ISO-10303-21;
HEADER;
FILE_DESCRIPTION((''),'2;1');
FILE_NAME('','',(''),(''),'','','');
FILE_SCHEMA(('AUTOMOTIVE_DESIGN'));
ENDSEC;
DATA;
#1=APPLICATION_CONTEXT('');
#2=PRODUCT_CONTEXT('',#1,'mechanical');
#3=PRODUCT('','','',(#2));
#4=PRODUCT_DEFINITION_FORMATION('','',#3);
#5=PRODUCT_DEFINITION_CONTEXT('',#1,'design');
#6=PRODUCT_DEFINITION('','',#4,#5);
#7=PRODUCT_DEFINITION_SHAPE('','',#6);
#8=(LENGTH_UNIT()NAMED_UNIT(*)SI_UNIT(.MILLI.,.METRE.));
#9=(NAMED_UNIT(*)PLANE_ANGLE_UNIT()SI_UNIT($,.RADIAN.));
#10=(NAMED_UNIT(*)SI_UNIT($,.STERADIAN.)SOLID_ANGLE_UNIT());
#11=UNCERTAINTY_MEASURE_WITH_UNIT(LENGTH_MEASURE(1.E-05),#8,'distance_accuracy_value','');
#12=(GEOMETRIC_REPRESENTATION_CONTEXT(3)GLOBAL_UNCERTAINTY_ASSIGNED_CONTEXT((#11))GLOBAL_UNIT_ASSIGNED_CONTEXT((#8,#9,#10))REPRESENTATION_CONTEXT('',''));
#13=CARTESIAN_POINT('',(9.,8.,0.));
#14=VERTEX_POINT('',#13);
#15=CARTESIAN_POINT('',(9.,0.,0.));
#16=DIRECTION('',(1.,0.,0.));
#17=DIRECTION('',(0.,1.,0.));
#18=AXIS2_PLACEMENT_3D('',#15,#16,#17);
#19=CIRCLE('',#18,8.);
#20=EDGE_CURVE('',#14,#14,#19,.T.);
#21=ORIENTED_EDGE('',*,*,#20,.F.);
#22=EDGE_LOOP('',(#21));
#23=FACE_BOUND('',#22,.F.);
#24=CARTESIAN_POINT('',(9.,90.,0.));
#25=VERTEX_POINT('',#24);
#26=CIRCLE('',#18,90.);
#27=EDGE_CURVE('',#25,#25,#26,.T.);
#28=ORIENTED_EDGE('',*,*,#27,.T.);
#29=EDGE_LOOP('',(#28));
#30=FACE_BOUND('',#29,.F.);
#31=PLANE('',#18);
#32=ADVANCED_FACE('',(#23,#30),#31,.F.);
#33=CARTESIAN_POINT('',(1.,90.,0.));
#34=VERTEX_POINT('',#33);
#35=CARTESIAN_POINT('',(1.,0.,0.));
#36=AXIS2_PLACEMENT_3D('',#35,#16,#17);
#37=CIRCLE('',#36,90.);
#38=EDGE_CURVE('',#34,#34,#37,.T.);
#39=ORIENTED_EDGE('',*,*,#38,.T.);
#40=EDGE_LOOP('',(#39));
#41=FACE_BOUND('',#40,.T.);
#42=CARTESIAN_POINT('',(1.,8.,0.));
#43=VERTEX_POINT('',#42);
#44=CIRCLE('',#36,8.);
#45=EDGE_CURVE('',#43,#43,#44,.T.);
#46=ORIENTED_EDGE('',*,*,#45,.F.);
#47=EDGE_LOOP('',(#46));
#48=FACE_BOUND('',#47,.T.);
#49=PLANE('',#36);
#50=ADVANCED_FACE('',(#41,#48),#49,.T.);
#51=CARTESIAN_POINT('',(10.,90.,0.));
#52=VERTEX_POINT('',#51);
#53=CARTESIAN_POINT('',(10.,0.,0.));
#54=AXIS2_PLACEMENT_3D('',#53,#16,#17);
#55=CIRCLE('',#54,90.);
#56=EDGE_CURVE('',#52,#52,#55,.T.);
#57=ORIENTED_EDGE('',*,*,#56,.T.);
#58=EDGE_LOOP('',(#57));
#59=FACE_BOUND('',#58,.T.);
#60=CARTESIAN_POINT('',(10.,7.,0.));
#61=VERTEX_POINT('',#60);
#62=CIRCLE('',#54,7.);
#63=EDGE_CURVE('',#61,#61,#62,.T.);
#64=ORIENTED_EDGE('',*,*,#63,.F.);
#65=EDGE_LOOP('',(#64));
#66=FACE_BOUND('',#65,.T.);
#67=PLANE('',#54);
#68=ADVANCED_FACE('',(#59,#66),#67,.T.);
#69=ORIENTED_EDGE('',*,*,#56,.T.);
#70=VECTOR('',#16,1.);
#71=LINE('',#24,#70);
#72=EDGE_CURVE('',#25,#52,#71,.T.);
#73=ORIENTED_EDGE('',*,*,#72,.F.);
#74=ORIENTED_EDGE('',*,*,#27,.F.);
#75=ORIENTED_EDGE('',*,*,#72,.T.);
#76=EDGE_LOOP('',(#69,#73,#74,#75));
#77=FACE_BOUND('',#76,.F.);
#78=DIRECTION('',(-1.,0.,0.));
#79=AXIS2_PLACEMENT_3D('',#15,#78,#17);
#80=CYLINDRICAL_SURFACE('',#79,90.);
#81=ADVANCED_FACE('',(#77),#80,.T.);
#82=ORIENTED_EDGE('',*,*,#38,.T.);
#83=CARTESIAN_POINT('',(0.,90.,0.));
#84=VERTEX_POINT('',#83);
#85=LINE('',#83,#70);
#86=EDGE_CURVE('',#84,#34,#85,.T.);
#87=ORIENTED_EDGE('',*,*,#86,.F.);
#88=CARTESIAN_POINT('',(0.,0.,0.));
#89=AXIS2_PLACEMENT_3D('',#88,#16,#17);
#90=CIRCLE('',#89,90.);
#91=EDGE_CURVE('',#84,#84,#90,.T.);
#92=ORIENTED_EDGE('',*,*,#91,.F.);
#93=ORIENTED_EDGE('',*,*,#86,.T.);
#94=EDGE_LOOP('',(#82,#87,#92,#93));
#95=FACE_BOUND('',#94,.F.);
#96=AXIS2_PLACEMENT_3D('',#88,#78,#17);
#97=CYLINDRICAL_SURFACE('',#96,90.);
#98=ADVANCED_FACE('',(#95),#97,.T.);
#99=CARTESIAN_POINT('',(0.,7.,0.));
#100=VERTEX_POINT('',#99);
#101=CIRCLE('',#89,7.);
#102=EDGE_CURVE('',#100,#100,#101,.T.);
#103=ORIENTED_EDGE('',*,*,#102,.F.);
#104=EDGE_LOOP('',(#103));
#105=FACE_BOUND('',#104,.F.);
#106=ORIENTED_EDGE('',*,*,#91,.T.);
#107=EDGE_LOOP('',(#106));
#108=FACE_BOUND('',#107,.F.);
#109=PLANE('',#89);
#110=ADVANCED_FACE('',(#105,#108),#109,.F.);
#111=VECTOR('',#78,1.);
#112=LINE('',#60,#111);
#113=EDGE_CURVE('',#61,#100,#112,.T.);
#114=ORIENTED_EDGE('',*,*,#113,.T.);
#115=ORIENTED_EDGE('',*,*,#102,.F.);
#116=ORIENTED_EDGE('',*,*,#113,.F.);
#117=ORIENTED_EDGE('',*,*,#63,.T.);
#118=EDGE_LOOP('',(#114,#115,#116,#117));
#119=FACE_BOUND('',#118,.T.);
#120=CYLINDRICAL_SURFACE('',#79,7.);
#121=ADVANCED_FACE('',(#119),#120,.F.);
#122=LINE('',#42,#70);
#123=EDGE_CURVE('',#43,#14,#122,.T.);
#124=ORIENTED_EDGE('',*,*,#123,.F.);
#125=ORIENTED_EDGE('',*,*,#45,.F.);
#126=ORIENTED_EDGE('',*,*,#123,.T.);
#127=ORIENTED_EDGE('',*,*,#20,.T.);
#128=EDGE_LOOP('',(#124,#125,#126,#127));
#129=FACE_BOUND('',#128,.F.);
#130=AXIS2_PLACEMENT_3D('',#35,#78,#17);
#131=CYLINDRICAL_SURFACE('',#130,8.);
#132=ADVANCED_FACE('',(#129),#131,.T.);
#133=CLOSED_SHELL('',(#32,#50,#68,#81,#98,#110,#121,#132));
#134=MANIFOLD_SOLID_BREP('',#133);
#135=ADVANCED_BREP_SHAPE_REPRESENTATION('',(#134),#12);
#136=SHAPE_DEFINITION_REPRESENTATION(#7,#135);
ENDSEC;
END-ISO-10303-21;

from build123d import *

# Parameters (mm, degrees)
F0_R     = 90
F0_R_2   = 7
F1_DEPTH = 1
F2_R     = 8
F2_R_2   = 7
F3_DEPTH = 8
F4_R     = 90
F4_R_2   = 8
F4_R_3   = 7
F5_DEPTH = 1


with BuildPart() as f1:
    # F0 (on Right) → F1 (new body)
    with BuildSketch(Plane.YZ):
        Circle(F0_R)
        Circle(F0_R_2, mode=Mode.SUBTRACT)
    extrude(amount=F1_DEPTH)

    # F2 (on face) → F3 (join)
    with BuildSketch(Plane.YZ.offset(1)):
        Circle(F2_R)
        Circle(F2_R_2, mode=Mode.SUBTRACT)
    extrude(amount=F3_DEPTH)

    # F4 (on face) → F5 (join)
    with BuildSketch(Plane.YZ.offset(9)):
        Circle(F4_R)
        Circle(F4_R_2, mode=Mode.SUBTRACT)
        Circle(F4_R_2)
        Circle(F4_R_3, mode=Mode.SUBTRACT)
    extrude(amount=F5_DEPTH)


solid = f1.part
